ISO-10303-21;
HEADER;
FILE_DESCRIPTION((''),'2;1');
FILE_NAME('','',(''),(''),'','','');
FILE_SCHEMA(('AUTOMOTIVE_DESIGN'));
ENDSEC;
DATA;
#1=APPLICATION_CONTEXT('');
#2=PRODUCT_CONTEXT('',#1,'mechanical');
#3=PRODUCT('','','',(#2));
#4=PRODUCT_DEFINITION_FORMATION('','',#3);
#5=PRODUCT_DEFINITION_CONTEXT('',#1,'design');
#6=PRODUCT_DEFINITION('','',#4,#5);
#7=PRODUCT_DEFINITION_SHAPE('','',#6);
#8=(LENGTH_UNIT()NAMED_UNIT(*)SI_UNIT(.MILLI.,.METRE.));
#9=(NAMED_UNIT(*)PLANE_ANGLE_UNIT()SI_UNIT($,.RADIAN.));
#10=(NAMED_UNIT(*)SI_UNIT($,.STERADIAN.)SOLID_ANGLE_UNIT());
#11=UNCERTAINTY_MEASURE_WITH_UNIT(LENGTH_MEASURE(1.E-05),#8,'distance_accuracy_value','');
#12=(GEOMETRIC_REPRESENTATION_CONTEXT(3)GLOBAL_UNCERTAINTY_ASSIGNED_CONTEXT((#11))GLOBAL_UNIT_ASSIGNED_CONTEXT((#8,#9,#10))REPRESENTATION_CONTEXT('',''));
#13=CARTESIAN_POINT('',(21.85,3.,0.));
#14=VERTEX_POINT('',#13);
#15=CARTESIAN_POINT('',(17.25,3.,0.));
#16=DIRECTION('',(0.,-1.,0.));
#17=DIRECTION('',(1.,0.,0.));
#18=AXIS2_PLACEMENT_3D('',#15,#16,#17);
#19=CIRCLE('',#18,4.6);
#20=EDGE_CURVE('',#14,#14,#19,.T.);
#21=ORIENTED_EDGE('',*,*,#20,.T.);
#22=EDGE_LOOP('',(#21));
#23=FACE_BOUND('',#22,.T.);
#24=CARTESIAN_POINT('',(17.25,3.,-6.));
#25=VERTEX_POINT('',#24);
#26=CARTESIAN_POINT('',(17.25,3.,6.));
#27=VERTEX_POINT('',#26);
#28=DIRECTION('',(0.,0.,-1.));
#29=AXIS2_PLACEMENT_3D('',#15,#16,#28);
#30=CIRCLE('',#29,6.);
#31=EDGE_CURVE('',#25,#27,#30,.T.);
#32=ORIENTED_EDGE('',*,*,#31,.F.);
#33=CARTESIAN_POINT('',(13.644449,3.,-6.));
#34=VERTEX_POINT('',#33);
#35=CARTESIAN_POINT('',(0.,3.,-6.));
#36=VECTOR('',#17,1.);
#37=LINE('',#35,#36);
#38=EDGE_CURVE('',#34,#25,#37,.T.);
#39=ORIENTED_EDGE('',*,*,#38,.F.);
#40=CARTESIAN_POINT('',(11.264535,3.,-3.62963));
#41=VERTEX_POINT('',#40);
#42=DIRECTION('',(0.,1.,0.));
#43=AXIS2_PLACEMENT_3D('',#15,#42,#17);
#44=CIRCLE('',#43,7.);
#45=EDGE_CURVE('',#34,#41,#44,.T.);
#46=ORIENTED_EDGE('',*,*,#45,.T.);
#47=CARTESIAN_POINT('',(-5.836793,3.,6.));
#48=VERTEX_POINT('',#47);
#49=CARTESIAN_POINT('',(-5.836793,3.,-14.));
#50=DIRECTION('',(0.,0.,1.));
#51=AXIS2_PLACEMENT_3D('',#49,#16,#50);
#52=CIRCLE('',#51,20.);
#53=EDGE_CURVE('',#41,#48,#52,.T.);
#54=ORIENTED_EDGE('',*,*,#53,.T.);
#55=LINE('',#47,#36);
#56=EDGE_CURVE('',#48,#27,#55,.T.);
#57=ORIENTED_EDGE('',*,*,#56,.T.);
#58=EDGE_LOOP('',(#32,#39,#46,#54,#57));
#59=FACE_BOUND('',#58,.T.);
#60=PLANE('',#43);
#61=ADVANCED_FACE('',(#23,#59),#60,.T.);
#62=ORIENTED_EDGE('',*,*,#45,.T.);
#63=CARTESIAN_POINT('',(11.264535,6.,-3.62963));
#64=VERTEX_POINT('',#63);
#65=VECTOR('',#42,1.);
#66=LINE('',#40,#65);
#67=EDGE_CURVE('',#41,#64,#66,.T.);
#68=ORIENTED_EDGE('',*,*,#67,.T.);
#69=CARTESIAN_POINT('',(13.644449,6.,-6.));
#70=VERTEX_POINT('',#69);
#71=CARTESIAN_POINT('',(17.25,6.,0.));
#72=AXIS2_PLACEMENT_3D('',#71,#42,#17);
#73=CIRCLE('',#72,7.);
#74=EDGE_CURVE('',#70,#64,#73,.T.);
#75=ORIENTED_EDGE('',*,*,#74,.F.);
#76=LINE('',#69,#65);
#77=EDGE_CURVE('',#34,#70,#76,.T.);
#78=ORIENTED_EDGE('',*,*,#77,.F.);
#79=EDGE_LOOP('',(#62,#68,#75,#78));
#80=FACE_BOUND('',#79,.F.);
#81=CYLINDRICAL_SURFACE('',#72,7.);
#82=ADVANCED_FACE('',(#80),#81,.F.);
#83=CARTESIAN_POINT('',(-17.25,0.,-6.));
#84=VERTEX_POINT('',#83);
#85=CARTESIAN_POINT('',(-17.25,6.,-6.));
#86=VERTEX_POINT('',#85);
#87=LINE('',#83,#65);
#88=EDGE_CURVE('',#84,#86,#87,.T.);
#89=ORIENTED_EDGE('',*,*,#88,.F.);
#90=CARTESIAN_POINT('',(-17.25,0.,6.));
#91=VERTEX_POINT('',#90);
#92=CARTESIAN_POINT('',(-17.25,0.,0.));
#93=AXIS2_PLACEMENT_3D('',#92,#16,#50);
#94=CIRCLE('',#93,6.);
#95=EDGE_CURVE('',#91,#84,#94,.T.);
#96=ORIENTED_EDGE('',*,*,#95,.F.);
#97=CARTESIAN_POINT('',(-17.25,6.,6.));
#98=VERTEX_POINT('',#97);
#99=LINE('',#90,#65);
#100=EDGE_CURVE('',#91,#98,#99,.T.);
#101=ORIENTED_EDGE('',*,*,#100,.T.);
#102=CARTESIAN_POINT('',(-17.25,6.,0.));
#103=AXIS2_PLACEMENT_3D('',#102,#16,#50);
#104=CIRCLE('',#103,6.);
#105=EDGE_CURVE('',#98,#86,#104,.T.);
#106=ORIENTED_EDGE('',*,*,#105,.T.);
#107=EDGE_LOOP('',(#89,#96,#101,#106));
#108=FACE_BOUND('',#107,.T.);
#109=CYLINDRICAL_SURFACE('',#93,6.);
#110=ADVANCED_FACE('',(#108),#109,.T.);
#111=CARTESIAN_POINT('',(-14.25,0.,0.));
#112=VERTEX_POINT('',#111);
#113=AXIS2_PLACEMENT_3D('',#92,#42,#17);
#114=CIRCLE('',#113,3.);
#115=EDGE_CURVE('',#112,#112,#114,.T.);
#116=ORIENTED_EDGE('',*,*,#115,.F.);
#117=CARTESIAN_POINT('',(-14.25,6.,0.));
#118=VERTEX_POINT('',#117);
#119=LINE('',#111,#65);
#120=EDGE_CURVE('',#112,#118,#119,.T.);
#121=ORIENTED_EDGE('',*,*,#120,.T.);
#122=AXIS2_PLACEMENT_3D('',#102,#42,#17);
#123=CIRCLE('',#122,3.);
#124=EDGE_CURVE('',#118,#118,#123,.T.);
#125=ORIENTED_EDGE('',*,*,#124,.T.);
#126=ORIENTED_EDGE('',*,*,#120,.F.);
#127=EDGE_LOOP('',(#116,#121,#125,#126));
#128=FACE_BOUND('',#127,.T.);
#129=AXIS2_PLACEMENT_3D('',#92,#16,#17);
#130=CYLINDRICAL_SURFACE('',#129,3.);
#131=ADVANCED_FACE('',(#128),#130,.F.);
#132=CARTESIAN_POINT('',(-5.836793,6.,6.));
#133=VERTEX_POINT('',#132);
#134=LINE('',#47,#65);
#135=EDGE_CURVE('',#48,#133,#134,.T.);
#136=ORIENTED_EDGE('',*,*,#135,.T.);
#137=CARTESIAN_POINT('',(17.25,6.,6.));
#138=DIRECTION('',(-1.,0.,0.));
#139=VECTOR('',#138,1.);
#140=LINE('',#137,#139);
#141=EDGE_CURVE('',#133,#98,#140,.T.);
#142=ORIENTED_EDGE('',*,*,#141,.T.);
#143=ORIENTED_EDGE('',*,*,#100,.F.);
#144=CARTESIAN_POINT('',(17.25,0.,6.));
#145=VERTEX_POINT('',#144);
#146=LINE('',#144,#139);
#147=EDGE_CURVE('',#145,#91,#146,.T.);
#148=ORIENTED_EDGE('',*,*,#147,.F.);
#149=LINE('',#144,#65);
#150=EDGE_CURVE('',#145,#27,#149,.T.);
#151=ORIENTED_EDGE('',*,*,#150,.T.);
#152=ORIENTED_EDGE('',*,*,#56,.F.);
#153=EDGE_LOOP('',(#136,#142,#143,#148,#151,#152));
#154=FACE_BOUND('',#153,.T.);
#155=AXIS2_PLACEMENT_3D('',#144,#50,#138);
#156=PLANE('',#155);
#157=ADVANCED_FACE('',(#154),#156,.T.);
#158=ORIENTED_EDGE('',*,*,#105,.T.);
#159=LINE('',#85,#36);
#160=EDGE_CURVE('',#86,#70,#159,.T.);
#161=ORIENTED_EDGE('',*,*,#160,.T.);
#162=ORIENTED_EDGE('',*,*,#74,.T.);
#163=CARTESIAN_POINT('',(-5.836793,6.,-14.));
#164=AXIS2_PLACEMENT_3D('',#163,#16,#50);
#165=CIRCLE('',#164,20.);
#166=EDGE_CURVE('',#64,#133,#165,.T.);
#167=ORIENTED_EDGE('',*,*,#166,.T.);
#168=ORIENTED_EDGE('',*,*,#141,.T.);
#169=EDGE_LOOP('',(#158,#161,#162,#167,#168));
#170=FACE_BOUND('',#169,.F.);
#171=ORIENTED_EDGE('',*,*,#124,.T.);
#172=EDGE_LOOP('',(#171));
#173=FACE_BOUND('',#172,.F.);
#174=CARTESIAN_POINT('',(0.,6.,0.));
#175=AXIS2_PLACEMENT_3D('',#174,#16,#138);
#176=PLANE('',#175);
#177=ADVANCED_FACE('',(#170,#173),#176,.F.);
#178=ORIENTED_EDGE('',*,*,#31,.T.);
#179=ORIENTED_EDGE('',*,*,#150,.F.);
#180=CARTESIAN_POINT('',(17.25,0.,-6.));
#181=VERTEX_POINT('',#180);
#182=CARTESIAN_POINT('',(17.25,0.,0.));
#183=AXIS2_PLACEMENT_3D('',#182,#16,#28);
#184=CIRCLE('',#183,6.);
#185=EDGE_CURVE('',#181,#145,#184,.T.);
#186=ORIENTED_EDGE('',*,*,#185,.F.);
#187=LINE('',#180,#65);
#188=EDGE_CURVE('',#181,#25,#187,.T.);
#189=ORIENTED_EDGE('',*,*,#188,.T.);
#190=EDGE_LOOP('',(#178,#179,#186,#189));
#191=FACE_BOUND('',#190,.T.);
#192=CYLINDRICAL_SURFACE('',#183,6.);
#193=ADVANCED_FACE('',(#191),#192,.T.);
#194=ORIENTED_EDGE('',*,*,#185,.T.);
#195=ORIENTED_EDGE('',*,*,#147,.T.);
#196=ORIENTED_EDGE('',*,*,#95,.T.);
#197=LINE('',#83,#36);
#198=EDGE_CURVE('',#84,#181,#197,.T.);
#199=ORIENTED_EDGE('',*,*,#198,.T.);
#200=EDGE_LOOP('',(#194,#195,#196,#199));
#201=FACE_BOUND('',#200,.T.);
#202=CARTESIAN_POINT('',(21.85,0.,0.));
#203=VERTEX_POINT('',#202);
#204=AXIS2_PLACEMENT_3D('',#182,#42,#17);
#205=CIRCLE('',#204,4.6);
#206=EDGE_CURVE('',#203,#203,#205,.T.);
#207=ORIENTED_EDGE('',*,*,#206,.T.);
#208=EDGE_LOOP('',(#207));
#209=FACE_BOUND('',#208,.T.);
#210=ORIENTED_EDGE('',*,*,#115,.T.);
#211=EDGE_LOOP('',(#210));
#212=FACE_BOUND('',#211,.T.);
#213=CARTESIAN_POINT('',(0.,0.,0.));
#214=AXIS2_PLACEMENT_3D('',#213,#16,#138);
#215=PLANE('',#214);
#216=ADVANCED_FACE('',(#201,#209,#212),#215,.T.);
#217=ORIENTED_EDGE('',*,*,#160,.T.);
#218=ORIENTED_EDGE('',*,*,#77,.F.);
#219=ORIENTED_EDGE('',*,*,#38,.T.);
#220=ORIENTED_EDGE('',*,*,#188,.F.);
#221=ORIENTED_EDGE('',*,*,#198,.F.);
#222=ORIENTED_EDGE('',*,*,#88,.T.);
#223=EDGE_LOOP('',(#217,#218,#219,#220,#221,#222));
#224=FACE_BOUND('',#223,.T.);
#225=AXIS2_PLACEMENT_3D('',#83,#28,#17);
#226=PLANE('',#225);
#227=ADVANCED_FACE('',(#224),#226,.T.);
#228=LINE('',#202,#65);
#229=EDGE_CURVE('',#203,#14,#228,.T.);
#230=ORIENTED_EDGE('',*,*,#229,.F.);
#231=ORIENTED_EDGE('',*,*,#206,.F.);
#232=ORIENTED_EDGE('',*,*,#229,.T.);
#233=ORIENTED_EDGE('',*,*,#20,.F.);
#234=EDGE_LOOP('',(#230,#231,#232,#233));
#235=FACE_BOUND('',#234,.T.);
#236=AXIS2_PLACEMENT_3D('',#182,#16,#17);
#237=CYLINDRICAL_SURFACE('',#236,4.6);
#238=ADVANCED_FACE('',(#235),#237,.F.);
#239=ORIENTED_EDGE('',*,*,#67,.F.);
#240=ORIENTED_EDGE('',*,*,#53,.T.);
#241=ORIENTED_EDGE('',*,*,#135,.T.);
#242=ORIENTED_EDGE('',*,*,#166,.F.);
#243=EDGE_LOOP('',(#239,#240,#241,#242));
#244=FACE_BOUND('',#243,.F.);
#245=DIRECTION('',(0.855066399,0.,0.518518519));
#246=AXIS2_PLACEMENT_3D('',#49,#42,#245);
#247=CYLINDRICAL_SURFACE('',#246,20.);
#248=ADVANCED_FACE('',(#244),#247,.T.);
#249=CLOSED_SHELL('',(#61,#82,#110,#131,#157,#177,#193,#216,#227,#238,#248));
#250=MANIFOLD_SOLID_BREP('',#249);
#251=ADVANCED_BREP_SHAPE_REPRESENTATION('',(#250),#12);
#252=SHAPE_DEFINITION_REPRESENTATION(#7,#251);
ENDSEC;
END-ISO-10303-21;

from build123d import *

# Parameters (mm, degrees)
SKETCH_1_R          = 3
SKETCH_1_R_2        = 4.6
EXTRUDE_1_DEPTH     = 6
SKETCH_3_R          = 7
CUT_EXTRUDE_1_DEPTH = 3
FILLET_1_R          = 20


with BuildPart() as part:
    # ｽｹｯﾁ1 → ﾎﾞｽ - 押し出し1 (new body)
    with BuildSketch(Plane(origin=(0, 0, 0), x_dir=(1, 0, 0), z_dir=(0, 1, 0))):
        with BuildLine():
            Line((-17.25, 6), (17.25, 6))
            ThreePointArc((17.25, 6), (23.25, 0), (17.25, -6))
            Line((17.25, -6), (-17.25, -6))
            ThreePointArc((-17.25, -6), (-23.25, 0), (-17.25, 6))
        make_face()
        with Locations((-17.25, 0)):
            Circle(SKETCH_1_R, mode=Mode.SUBTRACT)
        with Locations((17.25, 0)):
            Circle(SKETCH_1_R_2, mode=Mode.SUBTRACT)
    extrude(amount=EXTRUDE_1_DEPTH)

    # ｽｹｯﾁ3 → ｶｯﾄ - 押し出し1 (cut)
    with BuildSketch(Plane(origin=(0, 6, 0), x_dir=(1, 0, 0), z_dir=(0, 1, 0))):
        with Locations((17.25, 0)):
            Circle(SKETCH_3_R)
    extrude(amount=-CUT_EXTRUDE_1_DEPTH, mode=Mode.SUBTRACT)

    # ﾌｨﾚｯﾄ1
    fillet_1_edges = [part.edges().sort_by_distance(p)[0] for p in [
        (13.644448725, 4.5, 6),
    ]]
    fillet(fillet_1_edges, radius=FILLET_1_R)


solid = part.part
